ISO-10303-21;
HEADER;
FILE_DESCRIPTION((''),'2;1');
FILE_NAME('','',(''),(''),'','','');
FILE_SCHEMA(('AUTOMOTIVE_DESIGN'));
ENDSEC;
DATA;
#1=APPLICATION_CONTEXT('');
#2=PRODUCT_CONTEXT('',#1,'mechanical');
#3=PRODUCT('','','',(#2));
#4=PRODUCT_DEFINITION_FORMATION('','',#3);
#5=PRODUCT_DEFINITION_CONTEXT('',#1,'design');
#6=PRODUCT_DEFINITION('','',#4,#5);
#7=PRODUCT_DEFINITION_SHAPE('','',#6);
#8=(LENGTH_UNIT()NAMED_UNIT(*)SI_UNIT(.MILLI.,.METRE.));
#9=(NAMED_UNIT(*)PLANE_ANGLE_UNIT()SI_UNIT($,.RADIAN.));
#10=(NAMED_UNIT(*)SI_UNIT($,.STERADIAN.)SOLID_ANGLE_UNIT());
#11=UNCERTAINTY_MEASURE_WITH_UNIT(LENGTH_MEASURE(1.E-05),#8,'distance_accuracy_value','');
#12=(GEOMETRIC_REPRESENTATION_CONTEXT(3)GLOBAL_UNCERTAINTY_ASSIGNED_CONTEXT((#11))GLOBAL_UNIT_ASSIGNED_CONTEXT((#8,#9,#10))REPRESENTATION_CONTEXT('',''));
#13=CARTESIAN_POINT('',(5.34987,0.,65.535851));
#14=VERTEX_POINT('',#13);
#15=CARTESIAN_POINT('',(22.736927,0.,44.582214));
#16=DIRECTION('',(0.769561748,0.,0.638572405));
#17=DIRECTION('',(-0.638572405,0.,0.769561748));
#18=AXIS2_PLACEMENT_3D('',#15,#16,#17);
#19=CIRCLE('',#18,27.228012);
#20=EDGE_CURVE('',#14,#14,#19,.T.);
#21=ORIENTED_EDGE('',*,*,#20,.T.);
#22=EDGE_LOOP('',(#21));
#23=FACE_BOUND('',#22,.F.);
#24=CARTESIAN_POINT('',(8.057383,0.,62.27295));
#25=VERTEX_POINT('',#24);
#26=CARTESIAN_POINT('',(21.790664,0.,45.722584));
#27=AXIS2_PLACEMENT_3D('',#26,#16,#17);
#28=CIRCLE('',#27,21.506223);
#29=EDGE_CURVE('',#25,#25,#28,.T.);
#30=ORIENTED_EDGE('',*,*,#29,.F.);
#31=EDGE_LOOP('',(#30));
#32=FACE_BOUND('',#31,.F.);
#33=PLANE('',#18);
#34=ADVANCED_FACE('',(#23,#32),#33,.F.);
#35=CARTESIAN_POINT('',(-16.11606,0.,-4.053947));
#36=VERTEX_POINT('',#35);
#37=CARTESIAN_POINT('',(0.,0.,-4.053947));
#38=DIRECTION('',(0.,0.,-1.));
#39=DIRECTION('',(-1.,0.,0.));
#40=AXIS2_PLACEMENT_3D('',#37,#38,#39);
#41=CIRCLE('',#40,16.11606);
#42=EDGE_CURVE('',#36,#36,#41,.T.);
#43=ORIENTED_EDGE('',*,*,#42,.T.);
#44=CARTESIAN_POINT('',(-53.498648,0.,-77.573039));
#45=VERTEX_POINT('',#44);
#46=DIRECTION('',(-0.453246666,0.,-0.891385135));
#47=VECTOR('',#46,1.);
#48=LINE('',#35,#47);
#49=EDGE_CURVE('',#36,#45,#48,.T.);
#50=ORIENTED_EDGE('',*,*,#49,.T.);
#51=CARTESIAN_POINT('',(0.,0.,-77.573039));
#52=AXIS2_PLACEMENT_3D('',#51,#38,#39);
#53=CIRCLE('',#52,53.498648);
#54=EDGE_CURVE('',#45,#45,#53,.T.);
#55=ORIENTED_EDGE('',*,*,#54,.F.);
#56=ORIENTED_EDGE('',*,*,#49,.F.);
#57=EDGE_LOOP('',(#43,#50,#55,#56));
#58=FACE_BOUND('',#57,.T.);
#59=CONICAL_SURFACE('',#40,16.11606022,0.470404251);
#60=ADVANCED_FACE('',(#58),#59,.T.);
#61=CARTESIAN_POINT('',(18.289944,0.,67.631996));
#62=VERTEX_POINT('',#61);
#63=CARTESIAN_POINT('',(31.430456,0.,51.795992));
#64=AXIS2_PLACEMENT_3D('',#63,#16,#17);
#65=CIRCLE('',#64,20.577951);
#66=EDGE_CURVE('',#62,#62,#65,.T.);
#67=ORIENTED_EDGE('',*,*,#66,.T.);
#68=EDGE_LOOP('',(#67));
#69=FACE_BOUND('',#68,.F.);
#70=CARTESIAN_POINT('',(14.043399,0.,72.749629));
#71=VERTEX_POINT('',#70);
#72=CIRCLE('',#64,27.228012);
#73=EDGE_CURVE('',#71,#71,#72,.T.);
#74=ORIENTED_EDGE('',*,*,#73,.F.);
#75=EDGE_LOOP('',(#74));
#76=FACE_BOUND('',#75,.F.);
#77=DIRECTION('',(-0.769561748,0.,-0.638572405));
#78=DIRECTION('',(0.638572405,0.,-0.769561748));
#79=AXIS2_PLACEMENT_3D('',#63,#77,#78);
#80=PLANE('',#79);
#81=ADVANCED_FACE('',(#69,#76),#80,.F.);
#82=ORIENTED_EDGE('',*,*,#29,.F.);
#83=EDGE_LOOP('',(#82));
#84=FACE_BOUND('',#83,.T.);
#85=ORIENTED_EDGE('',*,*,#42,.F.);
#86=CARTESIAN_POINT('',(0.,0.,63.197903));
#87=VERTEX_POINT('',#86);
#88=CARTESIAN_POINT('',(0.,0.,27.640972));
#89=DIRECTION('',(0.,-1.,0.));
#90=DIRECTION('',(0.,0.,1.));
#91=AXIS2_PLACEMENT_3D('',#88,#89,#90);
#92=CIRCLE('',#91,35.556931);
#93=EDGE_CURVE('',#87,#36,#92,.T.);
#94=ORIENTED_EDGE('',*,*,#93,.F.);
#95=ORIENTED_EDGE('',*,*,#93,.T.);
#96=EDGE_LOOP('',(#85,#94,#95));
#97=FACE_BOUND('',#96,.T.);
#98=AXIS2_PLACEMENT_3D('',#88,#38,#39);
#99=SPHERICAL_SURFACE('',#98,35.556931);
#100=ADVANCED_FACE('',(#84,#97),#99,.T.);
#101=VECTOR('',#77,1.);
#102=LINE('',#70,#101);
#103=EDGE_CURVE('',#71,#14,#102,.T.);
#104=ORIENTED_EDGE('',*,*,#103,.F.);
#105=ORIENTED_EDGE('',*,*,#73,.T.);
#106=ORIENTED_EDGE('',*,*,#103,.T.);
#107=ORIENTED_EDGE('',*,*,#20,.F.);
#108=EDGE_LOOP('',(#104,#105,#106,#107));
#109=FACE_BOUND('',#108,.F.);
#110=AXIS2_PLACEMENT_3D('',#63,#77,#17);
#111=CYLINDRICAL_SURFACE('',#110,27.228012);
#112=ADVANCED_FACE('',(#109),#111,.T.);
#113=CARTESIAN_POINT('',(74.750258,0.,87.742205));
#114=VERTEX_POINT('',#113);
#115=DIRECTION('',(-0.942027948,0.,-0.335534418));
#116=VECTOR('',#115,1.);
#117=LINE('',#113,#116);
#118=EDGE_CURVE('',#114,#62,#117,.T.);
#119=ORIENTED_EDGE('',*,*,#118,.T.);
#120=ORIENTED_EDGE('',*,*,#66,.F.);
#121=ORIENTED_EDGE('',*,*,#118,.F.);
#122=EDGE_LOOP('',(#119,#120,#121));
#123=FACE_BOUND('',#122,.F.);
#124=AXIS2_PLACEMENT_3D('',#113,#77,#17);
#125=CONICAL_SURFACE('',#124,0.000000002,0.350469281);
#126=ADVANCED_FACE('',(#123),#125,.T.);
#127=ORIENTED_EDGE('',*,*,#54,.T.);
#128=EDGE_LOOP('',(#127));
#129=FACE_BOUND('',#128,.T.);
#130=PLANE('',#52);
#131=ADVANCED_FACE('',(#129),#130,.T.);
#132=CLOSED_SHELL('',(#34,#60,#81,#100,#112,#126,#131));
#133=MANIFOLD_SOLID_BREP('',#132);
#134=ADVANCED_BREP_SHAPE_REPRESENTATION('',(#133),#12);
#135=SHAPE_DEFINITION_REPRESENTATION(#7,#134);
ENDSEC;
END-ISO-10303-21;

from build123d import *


with BuildPart() as f2:
    # F0 (on Front) → F2 (revolve)
    with BuildSketch(Plane.XZ):
        with BuildLine():
            Line((-16.1160602198, -4.0539470435), (0, 27.6409722865))
            Line((0, 27.6409722865), (0, 63.1979028112))
            ThreePointArc((0, 63.1979028112), (-34.5779507269, 35.9271434088), (-16.1160602198, -4.0539470435))
        make_face()
        with BuildLine():
            Line((0, -7.9159582382), (0, 27.6409722865))
            Line((0, 27.6409722865), (-16.1160602198, -4.0539470435))
            ThreePointArc((-16.1160602198, -4.0539470435), (-8.2861711223, -6.9369784404), (0, -7.9159582382))
        make_face()
        with BuildLine():
            ThreePointArc((0, -7.9159582382), (-8.2861711223, -6.9369784404), (-16.1160602198, -4.0539470435))
            Line((-16.1160602198, -4.0539470435), (-53.4986481071, -77.5730386376))
            Line((-53.4986481071, -77.5730386376), (0, -77.5730386376))
            Line((0, -77.5730386376), (0, -7.9159582382))
        make_face()
    revolve(axis=Axis((0, 0, 27.6409722865), (0, 0, -1)))

    # F1 (on Front) → F3 (revolve)
    with BuildSketch(Plane.XZ):
        Polygon((14.0433989, 72.7496286321), (5.3498703055, 65.5358508229), (22.7369274944, 44.5822142065), (74.7502580711, 87.7422045163), (18.2899444004, 67.6319959974), align=None)
    revolve(axis=Axis((48.7435927828, 0, 66.1622093614), (0.769561748, 0, 0.6385724047)))


solid = f2.part
